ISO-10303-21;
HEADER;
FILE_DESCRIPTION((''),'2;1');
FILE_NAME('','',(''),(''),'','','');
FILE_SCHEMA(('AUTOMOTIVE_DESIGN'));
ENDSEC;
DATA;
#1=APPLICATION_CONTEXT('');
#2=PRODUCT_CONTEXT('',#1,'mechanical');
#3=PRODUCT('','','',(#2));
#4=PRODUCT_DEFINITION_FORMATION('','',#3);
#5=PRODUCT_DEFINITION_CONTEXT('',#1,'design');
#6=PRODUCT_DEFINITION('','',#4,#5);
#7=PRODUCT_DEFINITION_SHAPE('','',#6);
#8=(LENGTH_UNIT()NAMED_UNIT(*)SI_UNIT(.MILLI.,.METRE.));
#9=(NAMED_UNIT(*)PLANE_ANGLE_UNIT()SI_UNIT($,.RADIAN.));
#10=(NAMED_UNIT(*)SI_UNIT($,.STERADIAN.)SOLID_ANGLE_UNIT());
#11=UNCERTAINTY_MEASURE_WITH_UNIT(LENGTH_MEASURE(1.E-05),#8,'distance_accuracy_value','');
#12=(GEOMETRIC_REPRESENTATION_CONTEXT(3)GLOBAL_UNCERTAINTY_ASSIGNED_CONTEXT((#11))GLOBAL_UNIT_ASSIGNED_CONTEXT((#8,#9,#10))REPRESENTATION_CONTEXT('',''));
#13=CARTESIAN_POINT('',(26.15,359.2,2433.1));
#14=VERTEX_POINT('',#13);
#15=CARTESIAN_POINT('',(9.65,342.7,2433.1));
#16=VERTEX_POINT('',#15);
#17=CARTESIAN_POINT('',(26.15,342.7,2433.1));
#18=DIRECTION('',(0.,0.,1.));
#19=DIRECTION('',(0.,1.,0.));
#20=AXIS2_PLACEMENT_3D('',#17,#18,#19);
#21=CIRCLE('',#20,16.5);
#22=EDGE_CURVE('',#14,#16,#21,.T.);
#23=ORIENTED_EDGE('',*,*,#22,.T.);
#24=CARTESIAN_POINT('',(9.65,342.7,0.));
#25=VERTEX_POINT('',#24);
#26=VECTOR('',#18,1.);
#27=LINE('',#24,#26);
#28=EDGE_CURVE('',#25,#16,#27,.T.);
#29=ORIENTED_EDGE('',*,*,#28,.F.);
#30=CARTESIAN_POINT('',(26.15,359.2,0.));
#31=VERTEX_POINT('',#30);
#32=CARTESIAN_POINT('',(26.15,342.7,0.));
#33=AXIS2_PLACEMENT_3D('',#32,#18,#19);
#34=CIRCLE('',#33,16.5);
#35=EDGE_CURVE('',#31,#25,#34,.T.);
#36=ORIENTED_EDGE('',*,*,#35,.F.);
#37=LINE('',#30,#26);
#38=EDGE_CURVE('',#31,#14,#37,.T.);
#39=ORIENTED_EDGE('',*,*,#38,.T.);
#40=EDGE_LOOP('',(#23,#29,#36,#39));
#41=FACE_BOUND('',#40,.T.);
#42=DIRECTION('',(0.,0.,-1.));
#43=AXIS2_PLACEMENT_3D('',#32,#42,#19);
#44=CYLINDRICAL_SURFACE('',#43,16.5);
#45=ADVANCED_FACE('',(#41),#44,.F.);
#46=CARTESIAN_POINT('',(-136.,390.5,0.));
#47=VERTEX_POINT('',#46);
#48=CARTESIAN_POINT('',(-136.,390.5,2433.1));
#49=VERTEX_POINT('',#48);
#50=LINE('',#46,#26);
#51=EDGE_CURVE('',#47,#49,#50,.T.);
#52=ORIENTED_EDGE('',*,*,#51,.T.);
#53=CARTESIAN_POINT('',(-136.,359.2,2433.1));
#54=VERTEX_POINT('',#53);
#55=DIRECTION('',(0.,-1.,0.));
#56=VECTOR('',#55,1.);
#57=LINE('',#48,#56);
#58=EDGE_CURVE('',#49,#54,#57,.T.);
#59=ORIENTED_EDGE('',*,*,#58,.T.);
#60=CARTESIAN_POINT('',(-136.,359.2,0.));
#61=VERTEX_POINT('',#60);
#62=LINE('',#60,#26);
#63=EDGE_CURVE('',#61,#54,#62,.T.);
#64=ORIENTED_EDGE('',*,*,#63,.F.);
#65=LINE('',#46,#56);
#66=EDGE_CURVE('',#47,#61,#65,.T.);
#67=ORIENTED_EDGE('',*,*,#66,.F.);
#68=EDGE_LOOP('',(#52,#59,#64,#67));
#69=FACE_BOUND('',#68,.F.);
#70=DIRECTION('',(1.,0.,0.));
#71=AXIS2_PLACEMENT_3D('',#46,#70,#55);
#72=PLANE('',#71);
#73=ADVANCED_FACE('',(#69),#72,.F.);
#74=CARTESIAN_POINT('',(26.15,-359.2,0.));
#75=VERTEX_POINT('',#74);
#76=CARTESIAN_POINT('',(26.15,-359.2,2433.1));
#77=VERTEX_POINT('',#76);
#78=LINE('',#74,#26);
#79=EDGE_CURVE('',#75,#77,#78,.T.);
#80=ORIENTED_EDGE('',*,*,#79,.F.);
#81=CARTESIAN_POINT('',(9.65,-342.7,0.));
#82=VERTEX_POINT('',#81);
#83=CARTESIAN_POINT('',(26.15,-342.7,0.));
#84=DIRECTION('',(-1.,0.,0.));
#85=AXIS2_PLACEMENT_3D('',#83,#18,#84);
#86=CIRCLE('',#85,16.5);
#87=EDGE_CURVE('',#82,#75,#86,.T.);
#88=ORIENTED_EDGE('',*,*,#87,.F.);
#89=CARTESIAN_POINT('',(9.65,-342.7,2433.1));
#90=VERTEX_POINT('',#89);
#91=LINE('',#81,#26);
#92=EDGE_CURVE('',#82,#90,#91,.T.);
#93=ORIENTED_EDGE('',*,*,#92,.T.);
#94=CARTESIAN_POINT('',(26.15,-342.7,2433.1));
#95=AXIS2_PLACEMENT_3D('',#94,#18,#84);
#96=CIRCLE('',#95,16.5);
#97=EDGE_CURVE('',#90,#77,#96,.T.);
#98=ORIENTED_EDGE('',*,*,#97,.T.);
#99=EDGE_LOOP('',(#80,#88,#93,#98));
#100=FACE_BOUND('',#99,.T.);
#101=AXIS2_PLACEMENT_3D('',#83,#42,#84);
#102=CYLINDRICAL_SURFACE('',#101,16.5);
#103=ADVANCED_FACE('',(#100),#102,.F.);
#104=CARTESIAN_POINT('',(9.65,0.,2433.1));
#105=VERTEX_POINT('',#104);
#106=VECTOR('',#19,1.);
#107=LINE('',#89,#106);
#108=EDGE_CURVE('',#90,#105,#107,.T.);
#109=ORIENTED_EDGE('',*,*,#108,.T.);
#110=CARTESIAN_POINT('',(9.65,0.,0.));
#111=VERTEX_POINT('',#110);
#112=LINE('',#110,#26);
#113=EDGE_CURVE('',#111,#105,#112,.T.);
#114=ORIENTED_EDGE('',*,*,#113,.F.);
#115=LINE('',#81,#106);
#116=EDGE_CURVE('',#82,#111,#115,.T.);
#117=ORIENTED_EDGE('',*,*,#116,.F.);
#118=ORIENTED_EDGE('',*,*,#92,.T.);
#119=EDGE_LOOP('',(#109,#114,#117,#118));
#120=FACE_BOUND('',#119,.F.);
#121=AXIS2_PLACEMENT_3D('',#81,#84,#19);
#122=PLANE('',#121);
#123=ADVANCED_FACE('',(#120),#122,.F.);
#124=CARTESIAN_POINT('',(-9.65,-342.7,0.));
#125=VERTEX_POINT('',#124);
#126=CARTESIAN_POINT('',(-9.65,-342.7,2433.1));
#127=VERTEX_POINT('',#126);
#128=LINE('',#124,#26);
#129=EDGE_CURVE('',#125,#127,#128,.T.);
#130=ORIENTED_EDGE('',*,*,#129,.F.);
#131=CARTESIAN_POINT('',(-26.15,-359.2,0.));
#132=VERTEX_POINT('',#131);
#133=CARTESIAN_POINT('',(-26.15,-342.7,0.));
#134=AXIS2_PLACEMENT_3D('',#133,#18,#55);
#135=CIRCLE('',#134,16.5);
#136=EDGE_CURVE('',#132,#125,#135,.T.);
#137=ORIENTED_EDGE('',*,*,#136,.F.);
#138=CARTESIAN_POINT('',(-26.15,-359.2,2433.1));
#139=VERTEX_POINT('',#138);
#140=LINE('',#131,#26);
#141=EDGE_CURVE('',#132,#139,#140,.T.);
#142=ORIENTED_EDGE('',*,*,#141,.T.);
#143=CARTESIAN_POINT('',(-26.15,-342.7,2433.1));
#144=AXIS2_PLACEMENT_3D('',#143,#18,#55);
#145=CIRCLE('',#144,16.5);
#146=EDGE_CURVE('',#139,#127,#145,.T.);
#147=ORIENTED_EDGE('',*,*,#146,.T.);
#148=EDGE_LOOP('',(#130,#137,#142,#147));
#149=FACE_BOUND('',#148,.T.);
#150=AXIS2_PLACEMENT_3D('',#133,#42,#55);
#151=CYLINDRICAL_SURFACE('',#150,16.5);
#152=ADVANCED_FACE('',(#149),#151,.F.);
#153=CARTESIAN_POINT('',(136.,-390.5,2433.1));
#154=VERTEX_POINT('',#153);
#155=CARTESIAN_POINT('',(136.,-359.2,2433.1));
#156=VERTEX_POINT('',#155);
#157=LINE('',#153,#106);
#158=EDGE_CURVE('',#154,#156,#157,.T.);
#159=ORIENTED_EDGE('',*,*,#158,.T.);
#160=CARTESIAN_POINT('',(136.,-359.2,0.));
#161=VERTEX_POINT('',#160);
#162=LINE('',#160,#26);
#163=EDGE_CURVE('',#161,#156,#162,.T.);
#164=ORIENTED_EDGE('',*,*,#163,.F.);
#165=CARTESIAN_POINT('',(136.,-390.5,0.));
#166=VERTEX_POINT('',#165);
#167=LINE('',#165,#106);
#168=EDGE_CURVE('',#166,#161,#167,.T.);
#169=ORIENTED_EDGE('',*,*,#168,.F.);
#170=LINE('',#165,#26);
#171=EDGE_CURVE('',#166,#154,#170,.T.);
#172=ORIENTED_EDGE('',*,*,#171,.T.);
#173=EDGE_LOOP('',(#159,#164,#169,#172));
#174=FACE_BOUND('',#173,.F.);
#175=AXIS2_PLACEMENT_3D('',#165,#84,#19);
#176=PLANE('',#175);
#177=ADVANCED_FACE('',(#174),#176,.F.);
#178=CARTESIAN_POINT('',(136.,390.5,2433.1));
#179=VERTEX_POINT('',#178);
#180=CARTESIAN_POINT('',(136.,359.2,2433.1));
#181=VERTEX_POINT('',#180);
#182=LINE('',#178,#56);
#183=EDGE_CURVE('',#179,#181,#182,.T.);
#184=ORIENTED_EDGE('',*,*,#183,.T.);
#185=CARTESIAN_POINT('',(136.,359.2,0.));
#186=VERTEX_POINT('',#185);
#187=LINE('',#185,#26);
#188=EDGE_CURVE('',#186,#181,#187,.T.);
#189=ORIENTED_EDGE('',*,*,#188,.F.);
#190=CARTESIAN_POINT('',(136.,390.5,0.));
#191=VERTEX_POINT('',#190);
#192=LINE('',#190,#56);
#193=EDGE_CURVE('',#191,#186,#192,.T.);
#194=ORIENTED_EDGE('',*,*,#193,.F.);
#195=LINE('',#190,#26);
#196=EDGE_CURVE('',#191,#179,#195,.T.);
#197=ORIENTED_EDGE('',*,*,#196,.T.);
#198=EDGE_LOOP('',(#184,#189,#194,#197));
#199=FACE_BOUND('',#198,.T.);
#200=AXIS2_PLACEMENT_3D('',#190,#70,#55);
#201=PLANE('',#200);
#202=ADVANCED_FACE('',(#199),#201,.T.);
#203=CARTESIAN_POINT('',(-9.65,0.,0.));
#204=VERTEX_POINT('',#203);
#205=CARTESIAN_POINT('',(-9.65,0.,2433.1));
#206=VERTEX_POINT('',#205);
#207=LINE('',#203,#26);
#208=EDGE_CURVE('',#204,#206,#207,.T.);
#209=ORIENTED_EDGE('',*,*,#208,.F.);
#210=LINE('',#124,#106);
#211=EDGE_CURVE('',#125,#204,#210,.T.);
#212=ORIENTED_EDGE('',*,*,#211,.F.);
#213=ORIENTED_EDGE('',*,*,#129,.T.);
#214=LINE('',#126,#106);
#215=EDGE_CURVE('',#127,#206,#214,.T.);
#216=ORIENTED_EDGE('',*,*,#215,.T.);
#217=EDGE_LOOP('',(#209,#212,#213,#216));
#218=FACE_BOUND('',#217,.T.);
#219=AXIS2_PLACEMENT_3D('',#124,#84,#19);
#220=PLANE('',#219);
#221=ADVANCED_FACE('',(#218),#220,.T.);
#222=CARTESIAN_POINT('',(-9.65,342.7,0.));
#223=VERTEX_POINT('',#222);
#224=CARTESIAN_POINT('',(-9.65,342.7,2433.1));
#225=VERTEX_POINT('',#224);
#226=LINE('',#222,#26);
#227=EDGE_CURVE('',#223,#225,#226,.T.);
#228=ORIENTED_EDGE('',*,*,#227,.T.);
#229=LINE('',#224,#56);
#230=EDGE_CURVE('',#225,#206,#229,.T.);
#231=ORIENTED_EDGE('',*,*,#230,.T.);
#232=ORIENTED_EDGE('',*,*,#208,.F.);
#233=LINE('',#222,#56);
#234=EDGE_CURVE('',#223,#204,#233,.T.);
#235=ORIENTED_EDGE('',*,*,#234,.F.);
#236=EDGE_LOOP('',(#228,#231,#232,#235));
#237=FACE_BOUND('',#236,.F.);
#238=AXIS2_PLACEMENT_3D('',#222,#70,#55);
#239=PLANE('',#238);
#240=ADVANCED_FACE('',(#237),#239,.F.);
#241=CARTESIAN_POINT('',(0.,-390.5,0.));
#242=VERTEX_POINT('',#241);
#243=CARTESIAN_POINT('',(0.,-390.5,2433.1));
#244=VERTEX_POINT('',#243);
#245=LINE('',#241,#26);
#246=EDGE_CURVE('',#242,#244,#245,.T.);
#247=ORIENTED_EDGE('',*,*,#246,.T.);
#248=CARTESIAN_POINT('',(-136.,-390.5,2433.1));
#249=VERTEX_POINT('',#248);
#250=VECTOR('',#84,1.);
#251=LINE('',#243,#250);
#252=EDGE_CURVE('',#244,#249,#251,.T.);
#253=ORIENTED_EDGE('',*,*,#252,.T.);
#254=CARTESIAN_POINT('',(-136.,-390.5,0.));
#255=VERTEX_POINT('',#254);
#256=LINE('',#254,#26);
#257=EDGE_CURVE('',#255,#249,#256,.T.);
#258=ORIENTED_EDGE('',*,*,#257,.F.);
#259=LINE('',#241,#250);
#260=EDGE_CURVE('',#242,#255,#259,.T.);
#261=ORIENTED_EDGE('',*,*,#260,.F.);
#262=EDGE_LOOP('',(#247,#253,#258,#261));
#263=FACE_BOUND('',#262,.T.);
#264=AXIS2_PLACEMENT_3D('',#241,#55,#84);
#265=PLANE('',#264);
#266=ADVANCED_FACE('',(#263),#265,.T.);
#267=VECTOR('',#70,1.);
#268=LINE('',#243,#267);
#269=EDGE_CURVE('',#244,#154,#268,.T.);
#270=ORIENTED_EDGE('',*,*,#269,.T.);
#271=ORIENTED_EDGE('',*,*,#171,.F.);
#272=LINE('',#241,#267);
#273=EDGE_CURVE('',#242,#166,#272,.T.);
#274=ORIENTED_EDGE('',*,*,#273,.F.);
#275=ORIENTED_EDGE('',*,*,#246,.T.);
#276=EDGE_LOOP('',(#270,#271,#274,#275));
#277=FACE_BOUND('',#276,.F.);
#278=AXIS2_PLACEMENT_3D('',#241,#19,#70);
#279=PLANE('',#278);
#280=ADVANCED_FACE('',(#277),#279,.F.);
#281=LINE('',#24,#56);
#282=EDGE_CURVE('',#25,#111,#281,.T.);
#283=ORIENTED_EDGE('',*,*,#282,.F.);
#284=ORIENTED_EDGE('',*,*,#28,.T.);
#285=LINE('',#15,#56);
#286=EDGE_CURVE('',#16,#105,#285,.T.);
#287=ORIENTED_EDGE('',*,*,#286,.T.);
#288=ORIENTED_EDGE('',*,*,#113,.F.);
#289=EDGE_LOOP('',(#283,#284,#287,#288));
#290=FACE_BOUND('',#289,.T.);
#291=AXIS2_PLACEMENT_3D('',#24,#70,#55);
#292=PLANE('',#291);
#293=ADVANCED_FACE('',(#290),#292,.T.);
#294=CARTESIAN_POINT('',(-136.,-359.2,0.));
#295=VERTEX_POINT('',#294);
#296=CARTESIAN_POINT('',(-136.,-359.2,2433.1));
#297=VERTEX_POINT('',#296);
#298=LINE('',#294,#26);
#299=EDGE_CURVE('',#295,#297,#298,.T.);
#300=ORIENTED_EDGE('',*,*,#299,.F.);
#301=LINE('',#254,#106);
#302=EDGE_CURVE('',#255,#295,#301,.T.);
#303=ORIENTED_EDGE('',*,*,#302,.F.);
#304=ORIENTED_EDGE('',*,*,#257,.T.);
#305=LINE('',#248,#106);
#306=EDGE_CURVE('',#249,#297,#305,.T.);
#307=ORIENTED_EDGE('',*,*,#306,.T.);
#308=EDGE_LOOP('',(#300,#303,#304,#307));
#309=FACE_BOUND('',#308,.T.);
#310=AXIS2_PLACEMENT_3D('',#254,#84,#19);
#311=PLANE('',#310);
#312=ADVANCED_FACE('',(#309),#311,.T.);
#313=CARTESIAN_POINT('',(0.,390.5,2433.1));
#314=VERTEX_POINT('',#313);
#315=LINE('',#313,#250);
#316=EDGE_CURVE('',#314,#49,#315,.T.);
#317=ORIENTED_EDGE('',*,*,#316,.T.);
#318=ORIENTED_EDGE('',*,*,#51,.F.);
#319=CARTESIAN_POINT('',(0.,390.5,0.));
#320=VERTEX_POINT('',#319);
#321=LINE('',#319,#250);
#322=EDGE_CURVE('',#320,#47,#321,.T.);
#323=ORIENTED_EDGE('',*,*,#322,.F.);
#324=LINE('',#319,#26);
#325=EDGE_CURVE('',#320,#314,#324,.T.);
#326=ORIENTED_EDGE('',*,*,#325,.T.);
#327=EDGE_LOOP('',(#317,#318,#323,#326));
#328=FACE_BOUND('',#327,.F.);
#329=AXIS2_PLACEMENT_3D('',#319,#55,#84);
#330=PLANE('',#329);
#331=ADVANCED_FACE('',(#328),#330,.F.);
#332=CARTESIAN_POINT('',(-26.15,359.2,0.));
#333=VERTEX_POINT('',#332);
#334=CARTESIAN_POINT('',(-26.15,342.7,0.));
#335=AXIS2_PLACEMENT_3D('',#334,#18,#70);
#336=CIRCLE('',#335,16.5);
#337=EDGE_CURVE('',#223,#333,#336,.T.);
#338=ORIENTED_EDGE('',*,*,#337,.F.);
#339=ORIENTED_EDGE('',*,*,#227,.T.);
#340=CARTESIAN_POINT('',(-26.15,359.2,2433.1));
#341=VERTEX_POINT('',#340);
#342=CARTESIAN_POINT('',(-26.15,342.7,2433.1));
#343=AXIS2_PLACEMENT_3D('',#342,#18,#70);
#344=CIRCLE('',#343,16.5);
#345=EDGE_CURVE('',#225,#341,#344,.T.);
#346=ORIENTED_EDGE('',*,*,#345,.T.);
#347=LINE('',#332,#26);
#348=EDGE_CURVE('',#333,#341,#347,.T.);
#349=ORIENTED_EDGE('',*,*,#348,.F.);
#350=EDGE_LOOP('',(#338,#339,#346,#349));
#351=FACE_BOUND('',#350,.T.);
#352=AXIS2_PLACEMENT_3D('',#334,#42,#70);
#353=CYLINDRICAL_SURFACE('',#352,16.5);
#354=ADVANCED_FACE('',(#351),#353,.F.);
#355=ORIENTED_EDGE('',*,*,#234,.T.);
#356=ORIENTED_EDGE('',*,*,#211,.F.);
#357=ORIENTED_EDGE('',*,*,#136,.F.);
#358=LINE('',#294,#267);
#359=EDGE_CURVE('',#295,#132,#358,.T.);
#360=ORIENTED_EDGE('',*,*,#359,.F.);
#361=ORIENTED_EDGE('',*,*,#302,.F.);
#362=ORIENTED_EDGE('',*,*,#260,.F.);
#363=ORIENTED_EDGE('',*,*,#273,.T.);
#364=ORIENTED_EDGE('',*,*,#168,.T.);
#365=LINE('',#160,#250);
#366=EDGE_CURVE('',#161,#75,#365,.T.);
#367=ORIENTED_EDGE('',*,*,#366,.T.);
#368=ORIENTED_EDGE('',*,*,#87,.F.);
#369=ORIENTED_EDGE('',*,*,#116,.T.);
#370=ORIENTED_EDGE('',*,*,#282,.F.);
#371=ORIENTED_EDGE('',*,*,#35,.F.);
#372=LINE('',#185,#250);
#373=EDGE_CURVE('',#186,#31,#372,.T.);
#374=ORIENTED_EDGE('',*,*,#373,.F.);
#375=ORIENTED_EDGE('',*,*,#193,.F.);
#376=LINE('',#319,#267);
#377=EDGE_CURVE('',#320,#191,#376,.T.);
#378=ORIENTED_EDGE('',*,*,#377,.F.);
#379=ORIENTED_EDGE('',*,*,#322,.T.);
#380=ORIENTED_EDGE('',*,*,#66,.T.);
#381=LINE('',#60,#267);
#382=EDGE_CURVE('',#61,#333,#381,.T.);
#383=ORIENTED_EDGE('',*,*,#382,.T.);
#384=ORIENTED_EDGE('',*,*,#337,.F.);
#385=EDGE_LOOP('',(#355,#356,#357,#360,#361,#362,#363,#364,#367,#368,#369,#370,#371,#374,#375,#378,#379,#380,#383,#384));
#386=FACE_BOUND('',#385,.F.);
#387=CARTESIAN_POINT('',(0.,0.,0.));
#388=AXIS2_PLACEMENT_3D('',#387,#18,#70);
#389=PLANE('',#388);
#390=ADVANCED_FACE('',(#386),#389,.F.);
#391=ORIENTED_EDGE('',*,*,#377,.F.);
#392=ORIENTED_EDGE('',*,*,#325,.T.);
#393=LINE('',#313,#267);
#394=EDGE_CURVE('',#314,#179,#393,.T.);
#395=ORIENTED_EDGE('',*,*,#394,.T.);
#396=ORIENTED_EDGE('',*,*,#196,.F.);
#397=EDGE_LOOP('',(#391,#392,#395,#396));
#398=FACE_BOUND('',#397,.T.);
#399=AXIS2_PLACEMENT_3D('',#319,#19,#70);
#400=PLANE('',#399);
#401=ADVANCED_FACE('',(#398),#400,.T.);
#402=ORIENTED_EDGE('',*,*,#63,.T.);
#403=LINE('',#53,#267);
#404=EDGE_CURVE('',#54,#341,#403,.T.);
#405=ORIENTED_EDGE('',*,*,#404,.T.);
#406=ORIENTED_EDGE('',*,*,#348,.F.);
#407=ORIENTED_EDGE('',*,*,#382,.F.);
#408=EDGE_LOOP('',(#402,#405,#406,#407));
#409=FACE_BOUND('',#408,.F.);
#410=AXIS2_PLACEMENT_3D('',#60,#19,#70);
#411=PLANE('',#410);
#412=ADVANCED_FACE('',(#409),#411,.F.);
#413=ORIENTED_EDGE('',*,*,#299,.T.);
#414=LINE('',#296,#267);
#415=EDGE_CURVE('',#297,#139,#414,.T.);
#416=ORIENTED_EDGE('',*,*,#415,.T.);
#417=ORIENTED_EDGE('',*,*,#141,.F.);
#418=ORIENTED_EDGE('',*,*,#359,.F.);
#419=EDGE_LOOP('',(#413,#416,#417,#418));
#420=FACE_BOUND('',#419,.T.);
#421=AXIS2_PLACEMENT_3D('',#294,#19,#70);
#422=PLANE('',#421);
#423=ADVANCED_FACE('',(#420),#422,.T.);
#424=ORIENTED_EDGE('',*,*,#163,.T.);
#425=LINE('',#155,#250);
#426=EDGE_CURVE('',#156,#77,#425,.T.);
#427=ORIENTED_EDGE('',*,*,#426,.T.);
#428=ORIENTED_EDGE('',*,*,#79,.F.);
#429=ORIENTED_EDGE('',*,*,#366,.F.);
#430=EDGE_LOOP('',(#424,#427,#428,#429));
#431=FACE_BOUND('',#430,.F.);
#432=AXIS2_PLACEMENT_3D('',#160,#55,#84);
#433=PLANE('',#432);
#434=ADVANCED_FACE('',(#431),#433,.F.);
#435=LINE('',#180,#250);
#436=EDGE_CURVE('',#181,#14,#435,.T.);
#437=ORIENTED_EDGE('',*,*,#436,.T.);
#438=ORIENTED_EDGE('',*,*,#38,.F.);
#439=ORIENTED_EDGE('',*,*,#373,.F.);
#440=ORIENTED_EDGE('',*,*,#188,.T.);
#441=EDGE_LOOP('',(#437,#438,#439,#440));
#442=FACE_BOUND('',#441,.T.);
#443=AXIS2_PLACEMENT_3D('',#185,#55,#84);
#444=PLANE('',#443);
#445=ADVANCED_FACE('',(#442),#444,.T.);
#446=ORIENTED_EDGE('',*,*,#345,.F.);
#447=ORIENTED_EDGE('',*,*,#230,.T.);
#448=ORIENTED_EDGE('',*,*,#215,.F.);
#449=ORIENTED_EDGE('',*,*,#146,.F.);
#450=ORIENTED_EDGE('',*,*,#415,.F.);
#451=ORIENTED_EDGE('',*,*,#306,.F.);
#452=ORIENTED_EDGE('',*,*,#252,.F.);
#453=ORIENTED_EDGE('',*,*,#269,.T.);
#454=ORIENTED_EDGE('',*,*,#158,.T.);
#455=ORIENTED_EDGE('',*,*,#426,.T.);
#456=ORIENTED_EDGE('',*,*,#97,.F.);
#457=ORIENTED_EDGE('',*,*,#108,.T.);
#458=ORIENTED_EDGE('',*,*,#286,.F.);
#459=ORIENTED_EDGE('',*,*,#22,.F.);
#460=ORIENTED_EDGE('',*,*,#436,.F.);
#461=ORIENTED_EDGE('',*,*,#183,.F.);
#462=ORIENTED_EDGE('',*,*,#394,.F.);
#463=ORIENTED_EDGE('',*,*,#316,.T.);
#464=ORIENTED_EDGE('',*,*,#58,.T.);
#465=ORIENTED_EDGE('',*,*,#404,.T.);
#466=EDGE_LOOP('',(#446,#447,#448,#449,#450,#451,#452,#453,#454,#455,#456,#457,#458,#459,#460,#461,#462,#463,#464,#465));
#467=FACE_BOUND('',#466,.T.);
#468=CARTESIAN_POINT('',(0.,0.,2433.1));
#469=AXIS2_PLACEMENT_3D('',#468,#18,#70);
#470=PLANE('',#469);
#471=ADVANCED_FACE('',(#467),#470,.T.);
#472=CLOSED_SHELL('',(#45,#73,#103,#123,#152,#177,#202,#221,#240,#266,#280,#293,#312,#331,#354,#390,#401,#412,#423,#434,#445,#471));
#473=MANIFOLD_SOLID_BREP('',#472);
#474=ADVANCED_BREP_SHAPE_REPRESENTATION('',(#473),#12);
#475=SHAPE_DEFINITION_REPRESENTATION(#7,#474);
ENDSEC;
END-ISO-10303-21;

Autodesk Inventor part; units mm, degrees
ref_plane "YZ Plane" through (0, 0, 0) normal (1, 0, 0) x (0, 1, 0)
ref_plane "Start plane" through (0, 0, 0) normal (0, 0, 1) x (1, 0, 0)
ref_plane "End plane" through (0, 0, 2433.1) normal (0, 0, 1) x (1, 0, 0)
sketch "Sketch" plane through (0, 0, 0) normal (0, 0, 1) x (1, 0, 0)
  line L0 (-136, -390.5) -> (-136, -359.2)
  line L1 (-136, -359.2) -> (-26.15, -359.2)
  line L2 (-9.65, -342.7) -> (-9.65, 0)
  line L3 (-9.65, 0) -> (0, 0) construction
  line L4 (0, 0) -> (0, -390.5) construction
  line L5 (0, -390.5) -> (-136, -390.5)
  line L6 (-60, 0) -> (80, 0) construction
  line L7 (0, -60) -> (0, 80) construction
  line L8 (136, -390.5) -> (136, -359.2)
  line L9 (136, -359.2) -> (26.15, -359.2)
  line L10 (9.65, -342.7) -> (9.65, 0)
  line L11 (9.65, 0) -> (0, 0) construction
  line L12 (0, -390.5) -> (136, -390.5)
  line L13 (-136, 390.5) -> (-136, 359.2)
  line L14 (-136, 359.2) -> (-26.15, 359.2)
  line L15 (-9.65, 342.7) -> (-9.65, 0)
  line L16 (0, 390.5) -> (-136, 390.5)
  line L17 (136, 390.5) -> (136, 359.2)
  line L18 (136, 359.2) -> (26.15, 359.2)
  line L19 (0, 390.5) -> (136, 390.5)
  line L20 (9.65, 342.7) -> (9.65, 0)
  arc A0 (-9.65, 342.7) -> (-26.15, 359.2) centre (-26.15, 342.7) ccw
  arc A1 (26.15, 359.2) -> (9.65, 342.7) centre (26.15, 342.7) ccw
  arc A2 (9.65, -342.7) -> (26.15, -359.2) centre (26.15, -342.7) ccw
  arc A3 (-26.15, -359.2) -> (-9.65, -342.7) centre (-26.15, -342.7) ccw
  line L21 (0, 108) -> (0, -88) construction
  line L22 (-88, 0) -> (108, 0) construction
  point P0 (-9.65, -359.2)
  point P1 (9.65, -359.2)
  point P2 (-9.65, 359.2)
  point P3 (9.65, 359.2)
  dimension "d1" = 390.5
  dimension "d2" = 31.3
  dimension "d3" = 136
  dimension "d4" = 9.65
  dimension "d10" = 16.5
extrude "Body" add sketch "Sketch" along normal up to surface (2433.1 mm away) from surface at 0
sketch "Sketch4" plane through (0, 0, 0) normal (0, 0, 1) x (1, 0, 0)
  line L0 (0, 0) -> (10, 0)
ref_plane "Work Plane3" through (0, 0, 0) normal (0, -1, 0) x (1, 0, 0)
sketch "Sketch5" plane through (0, 0, 0) normal (0, -1, 0) x (1, 0, 0)
  line L0 (-2, 0) -> (12, 0) projected
  line L1 (-2, 2433.1) -> (12, 2433.1) projected
  dimension "d14" = 2433.1
equation "\"d1\" = 0.5 * G_H"
equation "\"d2\" = G_T1"
equation "\"d3\" = 0.5 * G_W"
equation "\"d4\" = 0.5 * G_T"
equation "\"d10\" = G_IR"
equation "\"d5\" = G_L"
equation "\"G_W\" = 272"
equation "\"G_H\" = 781"
equation "\"G_T\" = 19.3"
equation "\"G_T1\" = 31.3"
equation "\"G_IR\" = 16.5"
equation "\"G_L\" = d14"
equation "\"G_OFFSET_START\" = 0"
equation "\"G_OFFSET_END\" = 0"
equation "\"d12\" = G_OFFSET_END + B_L"
equation "\"B_L\" = 2433.1"
properties part number "AS 3679-1990 - 760 UB - 244 - 2433.1" material "Steel, Mild"
